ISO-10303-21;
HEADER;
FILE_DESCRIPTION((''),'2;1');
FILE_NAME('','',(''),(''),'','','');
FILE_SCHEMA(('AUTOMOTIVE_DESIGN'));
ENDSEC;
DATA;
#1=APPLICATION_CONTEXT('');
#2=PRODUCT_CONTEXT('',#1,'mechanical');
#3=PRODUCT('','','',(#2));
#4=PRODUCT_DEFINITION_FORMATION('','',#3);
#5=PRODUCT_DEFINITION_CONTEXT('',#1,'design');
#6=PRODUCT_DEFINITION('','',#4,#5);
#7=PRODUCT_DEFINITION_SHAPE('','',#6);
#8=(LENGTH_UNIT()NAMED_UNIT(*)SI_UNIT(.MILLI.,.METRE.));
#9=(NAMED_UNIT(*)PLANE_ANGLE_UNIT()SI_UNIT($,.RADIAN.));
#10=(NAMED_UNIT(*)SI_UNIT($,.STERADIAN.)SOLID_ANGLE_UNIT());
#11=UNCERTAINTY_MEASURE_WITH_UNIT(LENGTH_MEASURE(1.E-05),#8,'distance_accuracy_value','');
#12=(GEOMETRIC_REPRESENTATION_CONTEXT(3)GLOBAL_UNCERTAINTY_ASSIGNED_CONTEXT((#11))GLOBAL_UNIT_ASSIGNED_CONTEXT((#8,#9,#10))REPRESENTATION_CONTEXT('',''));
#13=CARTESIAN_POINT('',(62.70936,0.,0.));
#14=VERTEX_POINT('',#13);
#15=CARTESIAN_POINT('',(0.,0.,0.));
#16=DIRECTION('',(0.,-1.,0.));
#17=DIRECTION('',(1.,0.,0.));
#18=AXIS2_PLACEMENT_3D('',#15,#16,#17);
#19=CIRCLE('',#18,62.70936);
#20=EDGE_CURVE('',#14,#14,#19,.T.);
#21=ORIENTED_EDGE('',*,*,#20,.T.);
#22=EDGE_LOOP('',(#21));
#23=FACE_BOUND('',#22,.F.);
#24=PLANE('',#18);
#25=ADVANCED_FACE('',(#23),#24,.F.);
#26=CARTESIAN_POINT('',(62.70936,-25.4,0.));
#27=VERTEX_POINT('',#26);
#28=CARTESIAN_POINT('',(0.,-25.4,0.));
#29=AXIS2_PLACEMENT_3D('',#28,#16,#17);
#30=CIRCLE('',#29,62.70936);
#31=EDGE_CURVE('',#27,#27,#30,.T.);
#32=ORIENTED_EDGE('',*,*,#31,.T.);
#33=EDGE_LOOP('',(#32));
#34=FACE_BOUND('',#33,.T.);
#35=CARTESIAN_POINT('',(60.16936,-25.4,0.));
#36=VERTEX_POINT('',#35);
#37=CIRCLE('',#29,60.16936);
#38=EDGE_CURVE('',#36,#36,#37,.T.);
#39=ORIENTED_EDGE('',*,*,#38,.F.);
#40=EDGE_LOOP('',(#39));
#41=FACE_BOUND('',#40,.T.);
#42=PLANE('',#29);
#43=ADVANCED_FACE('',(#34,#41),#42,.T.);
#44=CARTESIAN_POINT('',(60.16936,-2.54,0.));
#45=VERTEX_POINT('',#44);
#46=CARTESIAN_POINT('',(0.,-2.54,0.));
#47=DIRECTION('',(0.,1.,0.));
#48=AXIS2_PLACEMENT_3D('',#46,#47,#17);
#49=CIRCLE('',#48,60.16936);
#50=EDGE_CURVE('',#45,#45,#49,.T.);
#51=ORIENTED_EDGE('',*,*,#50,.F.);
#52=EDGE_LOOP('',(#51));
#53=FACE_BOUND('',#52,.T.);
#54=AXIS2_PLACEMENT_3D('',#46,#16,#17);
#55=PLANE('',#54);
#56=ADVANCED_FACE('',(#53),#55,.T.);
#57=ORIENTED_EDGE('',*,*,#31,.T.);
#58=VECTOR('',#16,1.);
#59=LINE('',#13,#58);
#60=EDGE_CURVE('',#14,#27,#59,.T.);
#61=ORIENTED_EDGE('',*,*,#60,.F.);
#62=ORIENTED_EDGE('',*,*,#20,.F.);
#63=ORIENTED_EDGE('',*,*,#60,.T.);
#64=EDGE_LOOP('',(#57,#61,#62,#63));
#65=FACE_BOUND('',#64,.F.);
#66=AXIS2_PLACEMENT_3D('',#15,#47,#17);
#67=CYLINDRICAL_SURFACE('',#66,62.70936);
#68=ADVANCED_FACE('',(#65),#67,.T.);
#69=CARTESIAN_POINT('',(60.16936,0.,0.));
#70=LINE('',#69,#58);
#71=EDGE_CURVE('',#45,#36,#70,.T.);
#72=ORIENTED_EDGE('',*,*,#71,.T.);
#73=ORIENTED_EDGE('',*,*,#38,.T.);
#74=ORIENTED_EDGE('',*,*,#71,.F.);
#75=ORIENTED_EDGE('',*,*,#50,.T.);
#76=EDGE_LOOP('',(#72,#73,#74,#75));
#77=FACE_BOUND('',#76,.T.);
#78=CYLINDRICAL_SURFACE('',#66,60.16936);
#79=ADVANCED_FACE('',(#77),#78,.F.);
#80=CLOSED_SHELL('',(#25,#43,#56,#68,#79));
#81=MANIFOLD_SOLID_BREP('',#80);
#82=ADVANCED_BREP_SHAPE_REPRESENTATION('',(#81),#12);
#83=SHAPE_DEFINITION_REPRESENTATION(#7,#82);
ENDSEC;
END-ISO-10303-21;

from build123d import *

# Parameters (mm, degrees)
F1_DEPTH = 25.4
F3_R     = 39.2915838244
F4_DEPTH = 25.4
F6_R     = 62.7093604839
F7_DEPTH = 25.4
F8_T     = -2.54


with BuildPart() as f1:
    # F0 (on Front) → F1 (new body)
    with BuildSketch(Plane.XZ):
        with BuildLine():
            add(Edge.make_bspline(
                [(-55.208299309, 58.1508763134), (-67.0164708846, 55.3175541912), (-87.6445105915, -47.0922011076), (101.1268779134, 10.7779345683), (-19.4909088182, 79.2065756794), (-30.9714891326, 30.3974201797), (-47.8340446405, 59.9202983407), (-55.208299309, 58.1508763134)],
                knots=[0, 0, 0, 0, 0.2192278895, 0.4966401959, 0.7260839501, 0.8630912265, 1, 1, 1, 1], degree=3))
        make_face()
    extrude(amount=F1_DEPTH)


with BuildPart() as f4:
    # F3 (on Front) → F4 (new body)
    with BuildSketch(Plane.XZ):
        Circle(F3_R)
    extrude(amount=F4_DEPTH)


with BuildPart() as f7:
    # F6 (on Front) → F7 (new body)
    with BuildSketch(Plane.XZ):
        Circle(F6_R)
    extrude(amount=F7_DEPTH)

    # F8
    f8_openings = [f7.faces().sort_by_distance(p)[0] for p in [
        (0, -25.4, 0),
    ]]
    offset(amount=F8_T, openings=f8_openings)


solid = f7.part
